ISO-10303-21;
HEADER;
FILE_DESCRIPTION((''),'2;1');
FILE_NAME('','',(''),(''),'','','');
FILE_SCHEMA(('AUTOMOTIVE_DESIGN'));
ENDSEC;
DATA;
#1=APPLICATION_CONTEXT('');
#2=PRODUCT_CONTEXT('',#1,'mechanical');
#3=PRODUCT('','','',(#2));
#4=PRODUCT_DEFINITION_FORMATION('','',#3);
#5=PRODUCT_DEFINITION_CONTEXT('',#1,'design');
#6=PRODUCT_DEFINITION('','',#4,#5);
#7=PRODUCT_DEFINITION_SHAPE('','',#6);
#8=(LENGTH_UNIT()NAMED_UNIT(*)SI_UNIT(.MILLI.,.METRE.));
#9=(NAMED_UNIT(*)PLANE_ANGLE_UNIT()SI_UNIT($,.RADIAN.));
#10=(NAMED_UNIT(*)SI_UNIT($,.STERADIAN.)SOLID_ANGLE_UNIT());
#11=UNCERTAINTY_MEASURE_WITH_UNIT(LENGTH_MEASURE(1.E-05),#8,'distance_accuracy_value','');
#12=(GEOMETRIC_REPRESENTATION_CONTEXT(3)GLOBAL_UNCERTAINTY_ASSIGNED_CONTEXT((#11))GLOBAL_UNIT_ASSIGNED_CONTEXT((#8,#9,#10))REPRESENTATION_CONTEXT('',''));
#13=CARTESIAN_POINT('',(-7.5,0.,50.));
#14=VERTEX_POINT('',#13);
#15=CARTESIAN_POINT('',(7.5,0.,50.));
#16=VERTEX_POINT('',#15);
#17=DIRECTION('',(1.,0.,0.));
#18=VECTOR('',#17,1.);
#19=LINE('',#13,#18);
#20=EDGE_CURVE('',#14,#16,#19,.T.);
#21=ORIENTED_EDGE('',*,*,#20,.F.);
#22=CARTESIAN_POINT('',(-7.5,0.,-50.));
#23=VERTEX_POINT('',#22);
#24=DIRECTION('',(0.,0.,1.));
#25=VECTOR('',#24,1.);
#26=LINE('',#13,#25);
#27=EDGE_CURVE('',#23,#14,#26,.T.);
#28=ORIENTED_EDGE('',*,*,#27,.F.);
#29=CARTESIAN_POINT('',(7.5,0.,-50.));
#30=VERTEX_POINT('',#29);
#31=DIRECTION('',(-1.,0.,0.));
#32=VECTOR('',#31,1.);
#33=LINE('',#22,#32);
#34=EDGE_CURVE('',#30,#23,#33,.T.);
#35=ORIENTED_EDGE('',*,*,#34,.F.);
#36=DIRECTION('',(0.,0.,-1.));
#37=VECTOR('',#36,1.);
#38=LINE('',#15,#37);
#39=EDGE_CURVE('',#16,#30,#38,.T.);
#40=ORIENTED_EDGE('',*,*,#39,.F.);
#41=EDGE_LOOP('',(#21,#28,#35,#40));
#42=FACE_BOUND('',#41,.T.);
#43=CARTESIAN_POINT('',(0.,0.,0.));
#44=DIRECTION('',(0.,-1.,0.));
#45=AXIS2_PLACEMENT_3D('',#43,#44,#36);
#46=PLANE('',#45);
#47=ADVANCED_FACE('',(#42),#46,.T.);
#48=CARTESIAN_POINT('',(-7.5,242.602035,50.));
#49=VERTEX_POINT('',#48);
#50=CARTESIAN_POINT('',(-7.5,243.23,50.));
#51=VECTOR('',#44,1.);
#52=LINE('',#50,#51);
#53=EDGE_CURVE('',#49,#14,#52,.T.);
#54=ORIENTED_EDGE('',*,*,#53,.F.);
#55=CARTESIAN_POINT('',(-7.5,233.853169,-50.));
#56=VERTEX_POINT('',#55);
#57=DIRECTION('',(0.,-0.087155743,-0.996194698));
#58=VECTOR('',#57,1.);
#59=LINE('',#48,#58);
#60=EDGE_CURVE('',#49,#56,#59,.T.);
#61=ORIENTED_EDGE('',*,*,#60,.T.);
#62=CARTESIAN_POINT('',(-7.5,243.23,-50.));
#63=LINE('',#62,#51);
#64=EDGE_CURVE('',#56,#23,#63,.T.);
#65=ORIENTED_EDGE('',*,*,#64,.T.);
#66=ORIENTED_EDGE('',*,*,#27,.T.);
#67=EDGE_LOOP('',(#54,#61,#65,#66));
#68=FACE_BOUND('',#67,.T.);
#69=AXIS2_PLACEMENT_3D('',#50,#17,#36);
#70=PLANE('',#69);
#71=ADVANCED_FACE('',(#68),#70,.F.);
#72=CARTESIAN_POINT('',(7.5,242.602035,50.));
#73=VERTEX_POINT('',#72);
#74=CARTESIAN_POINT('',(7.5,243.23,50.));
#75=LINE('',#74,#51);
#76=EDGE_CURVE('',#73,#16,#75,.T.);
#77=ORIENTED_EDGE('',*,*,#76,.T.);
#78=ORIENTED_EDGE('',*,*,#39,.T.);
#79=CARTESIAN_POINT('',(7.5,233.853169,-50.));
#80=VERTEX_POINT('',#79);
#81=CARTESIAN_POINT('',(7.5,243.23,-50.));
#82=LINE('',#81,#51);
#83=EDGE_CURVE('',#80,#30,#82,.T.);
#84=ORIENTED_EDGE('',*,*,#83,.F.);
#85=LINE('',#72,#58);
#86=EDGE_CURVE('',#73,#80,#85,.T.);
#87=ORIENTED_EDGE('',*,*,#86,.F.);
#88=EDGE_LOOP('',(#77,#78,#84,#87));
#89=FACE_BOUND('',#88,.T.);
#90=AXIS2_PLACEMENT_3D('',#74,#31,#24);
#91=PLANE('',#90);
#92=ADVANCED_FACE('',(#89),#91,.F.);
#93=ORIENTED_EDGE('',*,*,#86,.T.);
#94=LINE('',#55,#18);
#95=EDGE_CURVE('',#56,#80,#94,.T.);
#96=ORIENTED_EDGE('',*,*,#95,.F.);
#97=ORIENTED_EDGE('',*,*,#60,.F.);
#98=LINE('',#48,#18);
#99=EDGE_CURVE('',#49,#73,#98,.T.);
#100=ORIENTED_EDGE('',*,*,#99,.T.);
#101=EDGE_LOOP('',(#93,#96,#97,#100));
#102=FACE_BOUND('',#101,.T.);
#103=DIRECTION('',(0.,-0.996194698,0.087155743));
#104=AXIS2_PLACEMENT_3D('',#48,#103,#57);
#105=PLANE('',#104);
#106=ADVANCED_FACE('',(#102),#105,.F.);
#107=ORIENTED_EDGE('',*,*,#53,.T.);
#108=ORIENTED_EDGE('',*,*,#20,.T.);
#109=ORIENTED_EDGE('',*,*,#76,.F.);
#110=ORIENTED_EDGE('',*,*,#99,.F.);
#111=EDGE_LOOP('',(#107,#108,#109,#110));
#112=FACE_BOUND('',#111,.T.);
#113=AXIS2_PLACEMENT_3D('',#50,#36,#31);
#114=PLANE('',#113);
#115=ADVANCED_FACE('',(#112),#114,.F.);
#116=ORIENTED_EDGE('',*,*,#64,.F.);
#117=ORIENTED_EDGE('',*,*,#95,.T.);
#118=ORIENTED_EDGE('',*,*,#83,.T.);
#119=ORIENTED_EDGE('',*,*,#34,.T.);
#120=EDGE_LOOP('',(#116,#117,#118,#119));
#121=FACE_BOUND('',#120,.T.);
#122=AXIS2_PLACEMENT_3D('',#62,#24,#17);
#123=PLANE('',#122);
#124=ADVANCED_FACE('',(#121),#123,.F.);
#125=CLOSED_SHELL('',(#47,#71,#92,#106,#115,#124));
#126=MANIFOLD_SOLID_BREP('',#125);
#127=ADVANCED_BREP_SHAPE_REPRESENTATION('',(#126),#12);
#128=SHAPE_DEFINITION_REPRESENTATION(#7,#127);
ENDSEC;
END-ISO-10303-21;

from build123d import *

# Parameters (mm, degrees)
CROQUIS1_W              = 15
CROQUIS1_H              = 100
SALIENTE_EXTRUIR1_DEPTH = 243.23
CORTAR_EXTRUIR1_DEPTH   = 249.768633272


with BuildPart() as part:
    # Croquis1 → Saliente-Extruir1 (new body)
    with BuildSketch(Plane(origin=(0, 0, 0), x_dir=(1, 0, 0), z_dir=(0, 1, 0))):
        Rectangle(CROQUIS1_W, CROQUIS1_H)
    extrude(amount=SALIENTE_EXTRUIR1_DEPTH)

    # Croquis2 → Cortar-Extruir1 (cut, through all)
    with BuildSketch(Plane(origin=(7.5, 0, 0), x_dir=(0, 0, -1), z_dir=(1, 0, 0))):
        Polygon((-50, 242.602035132), (50, 233.853168779), (50, 243.23), (-50, 243.23), align=None)
    extrude(amount=-CORTAR_EXTRUIR1_DEPTH, mode=Mode.SUBTRACT)


solid = part.part
